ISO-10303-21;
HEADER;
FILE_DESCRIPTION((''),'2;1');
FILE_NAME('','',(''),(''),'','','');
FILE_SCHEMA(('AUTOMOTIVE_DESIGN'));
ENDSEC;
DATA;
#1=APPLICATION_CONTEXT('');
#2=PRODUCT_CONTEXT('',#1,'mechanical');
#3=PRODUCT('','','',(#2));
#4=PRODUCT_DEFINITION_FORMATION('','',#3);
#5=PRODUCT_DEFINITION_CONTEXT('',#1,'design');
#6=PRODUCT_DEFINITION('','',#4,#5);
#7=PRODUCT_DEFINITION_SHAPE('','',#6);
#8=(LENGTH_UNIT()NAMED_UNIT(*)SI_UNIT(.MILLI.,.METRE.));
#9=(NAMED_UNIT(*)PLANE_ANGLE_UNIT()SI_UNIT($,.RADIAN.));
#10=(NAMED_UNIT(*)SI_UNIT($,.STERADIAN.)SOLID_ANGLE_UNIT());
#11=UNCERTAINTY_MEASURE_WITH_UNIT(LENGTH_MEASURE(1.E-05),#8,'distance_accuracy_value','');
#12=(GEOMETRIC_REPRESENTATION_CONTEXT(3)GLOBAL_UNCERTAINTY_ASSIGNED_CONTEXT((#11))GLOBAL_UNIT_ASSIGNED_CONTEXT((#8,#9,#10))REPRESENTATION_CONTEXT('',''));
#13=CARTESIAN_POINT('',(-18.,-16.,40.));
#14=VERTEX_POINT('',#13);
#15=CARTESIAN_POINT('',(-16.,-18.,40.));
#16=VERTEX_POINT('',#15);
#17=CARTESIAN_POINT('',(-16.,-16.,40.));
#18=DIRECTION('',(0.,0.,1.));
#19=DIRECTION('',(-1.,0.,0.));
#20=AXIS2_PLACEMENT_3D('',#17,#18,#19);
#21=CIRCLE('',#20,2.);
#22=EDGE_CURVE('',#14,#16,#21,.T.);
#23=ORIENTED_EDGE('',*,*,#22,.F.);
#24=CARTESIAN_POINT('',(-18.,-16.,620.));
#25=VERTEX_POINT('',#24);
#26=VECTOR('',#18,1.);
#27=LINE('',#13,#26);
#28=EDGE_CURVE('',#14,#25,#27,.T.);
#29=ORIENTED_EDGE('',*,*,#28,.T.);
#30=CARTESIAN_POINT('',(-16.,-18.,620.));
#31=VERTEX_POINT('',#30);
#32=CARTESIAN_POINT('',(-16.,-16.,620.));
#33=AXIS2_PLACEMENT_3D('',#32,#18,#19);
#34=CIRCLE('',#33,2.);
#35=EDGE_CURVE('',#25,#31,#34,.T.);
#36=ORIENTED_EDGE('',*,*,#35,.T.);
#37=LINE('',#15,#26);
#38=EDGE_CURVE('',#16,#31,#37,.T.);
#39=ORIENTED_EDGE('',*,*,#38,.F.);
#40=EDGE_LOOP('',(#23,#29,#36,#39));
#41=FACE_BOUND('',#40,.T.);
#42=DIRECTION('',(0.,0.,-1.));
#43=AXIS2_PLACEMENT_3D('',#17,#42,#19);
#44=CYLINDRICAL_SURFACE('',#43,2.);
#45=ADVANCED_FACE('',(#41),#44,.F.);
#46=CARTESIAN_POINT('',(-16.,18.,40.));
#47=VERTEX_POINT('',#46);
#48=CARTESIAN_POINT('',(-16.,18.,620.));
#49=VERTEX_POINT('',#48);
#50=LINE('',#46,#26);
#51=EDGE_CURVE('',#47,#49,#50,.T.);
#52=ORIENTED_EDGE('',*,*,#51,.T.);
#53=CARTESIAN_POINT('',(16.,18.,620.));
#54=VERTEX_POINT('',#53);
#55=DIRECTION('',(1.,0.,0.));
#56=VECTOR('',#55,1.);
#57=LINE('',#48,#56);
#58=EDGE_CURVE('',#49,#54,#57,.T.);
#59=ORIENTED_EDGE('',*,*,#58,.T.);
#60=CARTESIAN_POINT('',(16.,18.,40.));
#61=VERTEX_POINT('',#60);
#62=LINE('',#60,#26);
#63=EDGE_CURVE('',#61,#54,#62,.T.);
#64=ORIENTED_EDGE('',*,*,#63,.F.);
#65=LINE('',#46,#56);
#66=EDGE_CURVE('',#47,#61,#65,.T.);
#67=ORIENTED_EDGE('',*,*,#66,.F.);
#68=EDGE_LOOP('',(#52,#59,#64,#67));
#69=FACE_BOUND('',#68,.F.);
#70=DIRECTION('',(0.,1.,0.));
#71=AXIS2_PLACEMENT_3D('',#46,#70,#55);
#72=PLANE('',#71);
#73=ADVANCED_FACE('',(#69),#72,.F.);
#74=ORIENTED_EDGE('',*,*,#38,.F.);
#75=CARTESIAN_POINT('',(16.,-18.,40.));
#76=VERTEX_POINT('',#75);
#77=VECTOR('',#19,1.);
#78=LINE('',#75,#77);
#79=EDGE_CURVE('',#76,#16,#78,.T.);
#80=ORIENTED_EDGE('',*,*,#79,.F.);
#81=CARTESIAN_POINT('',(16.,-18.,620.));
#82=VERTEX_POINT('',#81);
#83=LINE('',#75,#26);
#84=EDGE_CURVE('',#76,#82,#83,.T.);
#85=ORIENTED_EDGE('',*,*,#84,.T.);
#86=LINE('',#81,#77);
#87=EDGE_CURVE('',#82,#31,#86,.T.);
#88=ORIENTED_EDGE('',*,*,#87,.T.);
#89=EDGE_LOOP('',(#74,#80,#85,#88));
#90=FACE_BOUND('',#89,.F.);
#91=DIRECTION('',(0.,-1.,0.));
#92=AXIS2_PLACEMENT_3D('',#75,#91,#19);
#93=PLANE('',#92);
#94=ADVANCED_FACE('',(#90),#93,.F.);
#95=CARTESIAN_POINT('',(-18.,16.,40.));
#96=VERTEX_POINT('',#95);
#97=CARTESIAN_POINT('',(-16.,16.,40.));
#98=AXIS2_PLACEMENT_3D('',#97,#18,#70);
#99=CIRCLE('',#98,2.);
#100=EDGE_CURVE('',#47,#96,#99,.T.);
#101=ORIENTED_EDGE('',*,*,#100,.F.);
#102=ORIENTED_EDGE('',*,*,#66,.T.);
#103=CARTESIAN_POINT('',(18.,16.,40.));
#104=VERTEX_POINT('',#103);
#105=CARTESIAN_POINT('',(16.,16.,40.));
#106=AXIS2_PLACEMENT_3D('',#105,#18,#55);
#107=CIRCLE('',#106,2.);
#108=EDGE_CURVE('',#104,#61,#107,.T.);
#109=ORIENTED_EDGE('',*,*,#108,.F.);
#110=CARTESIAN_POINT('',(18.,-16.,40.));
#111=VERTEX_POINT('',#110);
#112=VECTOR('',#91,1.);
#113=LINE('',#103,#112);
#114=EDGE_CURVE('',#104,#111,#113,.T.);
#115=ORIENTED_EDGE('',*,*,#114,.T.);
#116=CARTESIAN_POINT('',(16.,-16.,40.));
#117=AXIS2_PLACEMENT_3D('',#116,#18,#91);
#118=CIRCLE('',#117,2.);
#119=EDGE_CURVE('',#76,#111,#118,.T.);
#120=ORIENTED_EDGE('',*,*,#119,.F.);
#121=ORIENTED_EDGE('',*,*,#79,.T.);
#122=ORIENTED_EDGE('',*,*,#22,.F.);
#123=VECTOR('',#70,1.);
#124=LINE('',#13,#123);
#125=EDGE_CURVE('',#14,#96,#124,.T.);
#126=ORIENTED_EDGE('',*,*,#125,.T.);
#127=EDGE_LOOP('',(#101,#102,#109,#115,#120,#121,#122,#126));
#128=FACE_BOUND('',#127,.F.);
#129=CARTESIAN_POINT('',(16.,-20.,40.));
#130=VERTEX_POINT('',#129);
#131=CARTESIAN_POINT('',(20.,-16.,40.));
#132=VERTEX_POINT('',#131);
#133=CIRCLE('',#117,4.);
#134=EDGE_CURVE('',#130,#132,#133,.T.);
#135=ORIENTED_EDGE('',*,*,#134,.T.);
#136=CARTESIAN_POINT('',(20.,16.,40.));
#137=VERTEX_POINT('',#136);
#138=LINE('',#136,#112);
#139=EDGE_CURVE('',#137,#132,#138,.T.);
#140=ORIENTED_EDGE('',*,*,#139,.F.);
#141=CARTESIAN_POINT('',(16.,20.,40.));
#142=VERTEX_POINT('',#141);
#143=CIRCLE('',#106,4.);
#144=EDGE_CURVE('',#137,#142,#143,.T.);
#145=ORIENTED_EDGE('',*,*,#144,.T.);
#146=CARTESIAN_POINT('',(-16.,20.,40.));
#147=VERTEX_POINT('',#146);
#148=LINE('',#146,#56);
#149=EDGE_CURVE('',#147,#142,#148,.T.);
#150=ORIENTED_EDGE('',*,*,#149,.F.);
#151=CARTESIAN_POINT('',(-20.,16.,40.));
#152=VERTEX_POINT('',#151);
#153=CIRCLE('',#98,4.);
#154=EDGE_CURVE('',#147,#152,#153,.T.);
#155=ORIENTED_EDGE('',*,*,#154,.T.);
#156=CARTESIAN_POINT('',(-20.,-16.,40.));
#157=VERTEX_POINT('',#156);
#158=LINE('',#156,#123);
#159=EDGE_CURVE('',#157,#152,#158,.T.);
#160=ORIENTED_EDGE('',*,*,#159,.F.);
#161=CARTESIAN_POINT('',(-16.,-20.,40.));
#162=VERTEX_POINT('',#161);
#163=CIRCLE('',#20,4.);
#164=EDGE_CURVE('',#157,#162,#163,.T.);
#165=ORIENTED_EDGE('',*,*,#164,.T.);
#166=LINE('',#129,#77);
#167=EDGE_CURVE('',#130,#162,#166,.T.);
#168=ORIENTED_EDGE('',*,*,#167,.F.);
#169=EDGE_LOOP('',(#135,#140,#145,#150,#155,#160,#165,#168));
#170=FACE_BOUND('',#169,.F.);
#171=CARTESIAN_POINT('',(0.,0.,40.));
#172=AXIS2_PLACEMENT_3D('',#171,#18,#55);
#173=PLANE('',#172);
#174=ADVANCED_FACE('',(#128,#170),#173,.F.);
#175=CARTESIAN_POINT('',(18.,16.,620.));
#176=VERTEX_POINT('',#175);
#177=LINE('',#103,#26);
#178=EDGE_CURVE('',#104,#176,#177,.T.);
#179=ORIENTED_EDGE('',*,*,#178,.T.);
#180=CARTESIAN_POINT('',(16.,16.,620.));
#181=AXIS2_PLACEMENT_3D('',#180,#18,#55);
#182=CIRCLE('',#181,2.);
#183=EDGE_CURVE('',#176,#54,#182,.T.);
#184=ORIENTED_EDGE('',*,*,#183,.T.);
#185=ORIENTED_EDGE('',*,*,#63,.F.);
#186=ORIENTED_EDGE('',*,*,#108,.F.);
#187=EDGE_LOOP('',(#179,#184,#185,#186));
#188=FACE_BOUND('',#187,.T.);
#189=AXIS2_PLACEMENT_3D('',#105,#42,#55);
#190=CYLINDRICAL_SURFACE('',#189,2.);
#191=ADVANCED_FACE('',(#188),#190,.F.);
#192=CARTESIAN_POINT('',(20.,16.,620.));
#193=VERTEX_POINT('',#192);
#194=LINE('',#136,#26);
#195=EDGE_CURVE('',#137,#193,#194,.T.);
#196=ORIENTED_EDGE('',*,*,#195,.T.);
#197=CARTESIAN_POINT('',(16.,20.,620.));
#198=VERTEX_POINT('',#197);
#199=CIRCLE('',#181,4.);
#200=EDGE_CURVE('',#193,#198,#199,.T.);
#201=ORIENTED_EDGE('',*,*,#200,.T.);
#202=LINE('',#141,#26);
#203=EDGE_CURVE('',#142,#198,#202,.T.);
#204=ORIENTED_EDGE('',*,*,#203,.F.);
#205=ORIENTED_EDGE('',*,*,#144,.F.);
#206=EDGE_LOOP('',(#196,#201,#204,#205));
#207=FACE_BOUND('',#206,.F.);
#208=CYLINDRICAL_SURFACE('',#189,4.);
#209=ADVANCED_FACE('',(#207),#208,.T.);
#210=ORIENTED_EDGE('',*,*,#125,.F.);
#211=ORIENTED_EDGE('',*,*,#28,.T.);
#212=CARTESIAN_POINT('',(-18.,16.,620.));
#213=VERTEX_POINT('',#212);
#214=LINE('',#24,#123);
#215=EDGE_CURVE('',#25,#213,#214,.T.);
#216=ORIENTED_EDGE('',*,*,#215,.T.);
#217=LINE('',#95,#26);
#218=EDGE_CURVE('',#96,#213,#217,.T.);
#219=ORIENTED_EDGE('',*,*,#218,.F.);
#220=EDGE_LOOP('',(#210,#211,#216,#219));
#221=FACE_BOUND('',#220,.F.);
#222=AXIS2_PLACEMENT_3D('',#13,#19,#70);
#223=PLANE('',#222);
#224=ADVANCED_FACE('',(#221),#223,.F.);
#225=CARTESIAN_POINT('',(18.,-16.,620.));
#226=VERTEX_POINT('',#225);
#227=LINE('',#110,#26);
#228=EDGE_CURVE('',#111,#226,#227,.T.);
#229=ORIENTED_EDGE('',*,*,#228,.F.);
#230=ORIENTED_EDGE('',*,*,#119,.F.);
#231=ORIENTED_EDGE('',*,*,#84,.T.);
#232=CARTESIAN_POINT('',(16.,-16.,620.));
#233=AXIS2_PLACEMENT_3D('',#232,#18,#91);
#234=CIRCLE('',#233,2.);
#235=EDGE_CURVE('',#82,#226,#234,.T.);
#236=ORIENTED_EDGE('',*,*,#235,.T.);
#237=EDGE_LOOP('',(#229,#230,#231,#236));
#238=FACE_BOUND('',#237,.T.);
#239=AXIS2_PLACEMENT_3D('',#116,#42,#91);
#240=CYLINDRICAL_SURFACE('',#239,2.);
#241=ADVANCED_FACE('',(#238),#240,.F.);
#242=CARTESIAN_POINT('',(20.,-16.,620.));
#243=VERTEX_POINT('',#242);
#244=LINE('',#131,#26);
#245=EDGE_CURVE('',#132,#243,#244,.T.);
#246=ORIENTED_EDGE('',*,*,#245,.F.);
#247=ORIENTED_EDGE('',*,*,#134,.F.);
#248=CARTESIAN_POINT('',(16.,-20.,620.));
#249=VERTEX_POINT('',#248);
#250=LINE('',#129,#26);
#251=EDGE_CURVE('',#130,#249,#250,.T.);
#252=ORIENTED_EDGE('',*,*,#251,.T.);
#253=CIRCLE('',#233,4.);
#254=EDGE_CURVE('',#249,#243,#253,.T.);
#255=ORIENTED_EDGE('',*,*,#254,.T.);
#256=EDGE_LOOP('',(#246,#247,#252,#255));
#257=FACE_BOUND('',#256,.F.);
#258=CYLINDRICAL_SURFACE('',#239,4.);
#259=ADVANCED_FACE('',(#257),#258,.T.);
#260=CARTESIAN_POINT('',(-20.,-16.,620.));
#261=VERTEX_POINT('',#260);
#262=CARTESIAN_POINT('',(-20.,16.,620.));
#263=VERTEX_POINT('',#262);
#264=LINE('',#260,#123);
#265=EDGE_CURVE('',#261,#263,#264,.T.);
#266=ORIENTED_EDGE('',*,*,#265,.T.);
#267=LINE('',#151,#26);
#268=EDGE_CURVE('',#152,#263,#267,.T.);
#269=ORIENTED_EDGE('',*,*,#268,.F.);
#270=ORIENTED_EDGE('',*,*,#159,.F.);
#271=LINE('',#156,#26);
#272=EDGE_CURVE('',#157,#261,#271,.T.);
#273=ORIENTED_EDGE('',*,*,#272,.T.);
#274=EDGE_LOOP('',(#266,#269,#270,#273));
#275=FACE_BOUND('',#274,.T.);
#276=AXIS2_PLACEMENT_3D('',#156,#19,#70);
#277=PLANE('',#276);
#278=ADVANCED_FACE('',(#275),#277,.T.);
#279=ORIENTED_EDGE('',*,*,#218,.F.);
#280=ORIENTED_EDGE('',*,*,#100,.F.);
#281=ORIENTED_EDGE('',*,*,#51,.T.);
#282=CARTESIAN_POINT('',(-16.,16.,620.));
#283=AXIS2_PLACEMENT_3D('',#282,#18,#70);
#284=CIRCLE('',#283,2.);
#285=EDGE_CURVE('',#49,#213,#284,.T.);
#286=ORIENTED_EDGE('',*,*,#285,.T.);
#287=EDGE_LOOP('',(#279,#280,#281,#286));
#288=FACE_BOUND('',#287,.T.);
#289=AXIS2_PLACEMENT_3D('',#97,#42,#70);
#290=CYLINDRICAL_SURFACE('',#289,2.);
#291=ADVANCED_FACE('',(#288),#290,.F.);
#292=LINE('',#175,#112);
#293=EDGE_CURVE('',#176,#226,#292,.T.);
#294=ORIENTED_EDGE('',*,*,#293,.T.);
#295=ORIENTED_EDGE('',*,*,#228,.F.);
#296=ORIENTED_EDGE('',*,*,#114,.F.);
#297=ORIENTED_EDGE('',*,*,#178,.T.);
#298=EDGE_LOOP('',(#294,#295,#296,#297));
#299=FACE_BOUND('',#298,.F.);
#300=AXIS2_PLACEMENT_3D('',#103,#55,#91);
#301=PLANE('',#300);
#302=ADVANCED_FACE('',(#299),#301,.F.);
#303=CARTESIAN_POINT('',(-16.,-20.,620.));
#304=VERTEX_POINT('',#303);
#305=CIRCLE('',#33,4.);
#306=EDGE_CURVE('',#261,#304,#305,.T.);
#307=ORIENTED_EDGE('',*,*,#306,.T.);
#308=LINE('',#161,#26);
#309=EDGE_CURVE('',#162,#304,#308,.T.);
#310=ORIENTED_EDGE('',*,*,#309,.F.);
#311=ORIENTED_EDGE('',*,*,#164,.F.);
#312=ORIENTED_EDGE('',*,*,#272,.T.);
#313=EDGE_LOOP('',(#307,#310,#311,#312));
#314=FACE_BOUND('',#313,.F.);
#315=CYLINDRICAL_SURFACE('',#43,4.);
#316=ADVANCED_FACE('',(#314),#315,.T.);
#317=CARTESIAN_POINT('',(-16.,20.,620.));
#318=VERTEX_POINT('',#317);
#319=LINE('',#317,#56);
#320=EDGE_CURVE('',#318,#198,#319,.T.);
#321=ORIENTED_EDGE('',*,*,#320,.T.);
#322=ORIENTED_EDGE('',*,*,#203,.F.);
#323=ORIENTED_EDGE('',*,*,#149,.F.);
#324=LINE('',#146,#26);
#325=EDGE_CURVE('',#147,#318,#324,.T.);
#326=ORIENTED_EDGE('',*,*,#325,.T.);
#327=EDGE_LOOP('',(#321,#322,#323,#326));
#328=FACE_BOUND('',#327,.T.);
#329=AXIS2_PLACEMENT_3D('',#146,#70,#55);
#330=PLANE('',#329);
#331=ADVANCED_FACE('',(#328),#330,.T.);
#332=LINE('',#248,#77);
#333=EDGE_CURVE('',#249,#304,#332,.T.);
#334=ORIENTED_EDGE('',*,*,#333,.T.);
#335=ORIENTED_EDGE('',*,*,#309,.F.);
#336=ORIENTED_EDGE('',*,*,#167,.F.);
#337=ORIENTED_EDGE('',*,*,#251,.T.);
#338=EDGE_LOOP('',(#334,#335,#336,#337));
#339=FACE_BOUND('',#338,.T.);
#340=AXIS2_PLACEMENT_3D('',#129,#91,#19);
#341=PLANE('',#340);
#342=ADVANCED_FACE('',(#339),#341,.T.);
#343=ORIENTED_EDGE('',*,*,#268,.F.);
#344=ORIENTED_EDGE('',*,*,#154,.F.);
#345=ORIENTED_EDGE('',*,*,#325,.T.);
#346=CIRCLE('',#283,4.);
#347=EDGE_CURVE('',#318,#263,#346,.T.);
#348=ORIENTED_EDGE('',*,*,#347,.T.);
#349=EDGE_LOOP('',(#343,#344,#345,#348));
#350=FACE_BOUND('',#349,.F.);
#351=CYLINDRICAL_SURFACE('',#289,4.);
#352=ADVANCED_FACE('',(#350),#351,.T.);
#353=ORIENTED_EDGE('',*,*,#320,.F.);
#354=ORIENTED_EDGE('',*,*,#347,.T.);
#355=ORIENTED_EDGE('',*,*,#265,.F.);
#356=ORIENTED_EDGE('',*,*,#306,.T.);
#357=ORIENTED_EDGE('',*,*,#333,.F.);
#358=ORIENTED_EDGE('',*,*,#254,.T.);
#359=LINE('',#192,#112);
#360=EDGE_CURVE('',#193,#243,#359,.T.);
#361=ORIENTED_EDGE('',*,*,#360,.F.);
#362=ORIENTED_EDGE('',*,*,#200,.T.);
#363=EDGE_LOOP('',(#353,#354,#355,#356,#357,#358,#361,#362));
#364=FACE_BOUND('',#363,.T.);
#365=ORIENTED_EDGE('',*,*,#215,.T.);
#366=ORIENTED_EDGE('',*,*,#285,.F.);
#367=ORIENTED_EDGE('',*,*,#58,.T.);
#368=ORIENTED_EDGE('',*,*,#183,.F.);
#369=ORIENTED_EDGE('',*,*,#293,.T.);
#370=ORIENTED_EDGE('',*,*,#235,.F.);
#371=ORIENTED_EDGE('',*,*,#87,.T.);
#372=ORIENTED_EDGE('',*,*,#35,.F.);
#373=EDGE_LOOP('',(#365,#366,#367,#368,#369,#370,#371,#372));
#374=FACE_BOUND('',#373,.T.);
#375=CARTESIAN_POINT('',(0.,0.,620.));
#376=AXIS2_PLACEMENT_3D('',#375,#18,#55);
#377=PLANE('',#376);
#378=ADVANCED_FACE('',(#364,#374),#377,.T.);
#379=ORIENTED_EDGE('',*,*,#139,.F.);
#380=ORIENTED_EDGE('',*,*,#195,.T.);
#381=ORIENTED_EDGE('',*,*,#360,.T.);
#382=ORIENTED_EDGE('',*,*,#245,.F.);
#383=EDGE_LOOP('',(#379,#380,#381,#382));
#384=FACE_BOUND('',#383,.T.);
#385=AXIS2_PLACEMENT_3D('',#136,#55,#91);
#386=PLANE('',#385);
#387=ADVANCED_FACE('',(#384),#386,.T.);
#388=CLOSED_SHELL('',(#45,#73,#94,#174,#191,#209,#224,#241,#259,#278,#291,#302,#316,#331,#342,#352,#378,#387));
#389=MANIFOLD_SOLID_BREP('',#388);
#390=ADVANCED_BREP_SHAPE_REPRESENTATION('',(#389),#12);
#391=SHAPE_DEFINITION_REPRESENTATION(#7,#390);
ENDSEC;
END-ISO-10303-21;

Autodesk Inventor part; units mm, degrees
ref_plane "YZ Plane" through (0, 0, 0) normal (1, 0, 0) x (0, 1, 0)
ref_plane "Start Plane" through (0, 0, 40) normal (0, 0, 1) x (1, 0, 0)
ref_plane "End Plane" through (0, 0, 620) normal (0, 0, 1) x (1, 0, 0)
sketch "Sketch" plane through (0, 0, 0) normal (0, 0, 1) x (1, 0, 0)
  line L0 (-20, -16) -> (-20, 16)
  line L1 (-16, 20) -> (16, 20)
  line L2 (20, 16) -> (20, -16)
  line L3 (16, -20) -> (-16, -20)
  arc A0 (-20, -16) -> (-16, -20) centre (-16, -16) ccw
  arc A1 (20, 16) -> (16, 20) centre (16, 16) ccw
  arc A2 (-16, 20) -> (-20, 16) centre (-16, 16) ccw
  arc A3 (16, -20) -> (20, -16) centre (16, -16) ccw
  arc A4 (-16, 18) -> (-18, 16) centre (-16, 16) ccw
  line L4 (-16, 18) -> (16, 18)
  arc A5 (18, 16) -> (16, 18) centre (16, 16) ccw
  line L5 (18, 16) -> (18, -16)
  arc A6 (16, -18) -> (18, -16) centre (16, -16) ccw
  line L6 (16, -18) -> (-16, -18)
  arc A7 (-18, -16) -> (-16, -18) centre (-16, -16) ccw
  line L7 (-18, -16) -> (-18, 16)
  line L8 (0, 29.1598) -> (0, -29.1598) construction
  line L9 (-29.1598, 0) -> (29.1598, 0) construction
  dimension "d7" = 4
  dimension "d9" = 40
  dimension "d11" = 40
  dimension "d12" = 2
  dimension "d15" = 20
  dimension "d16" = 20
extrude "Body" add sketch "Sketch" along normal up to surface (580 mm away) from surface at 40
sketch "Sketch3" plane through (0, 0, 0) normal (0, 0, 1) x (1, 0, 0)
  line L0 (0, 0) -> (10, 0)
ref_plane "Work Plane3" through (0, 0, 0) normal (0, -1, 0) x (1, 0, 0)
sketch "Sketch4" plane through (0, 0, 0) normal (0, -1, 0) x (1, 0, 0)
  line L0 (-2, 40) -> (12, 40) projected
  line L1 (-2, 620) -> (12, 620) projected
  dimension "d18" = 580
equation "\"d7\" = G_IR"
equation "\"d9\" = G_W"
equation "\"d11\" = G_H"
equation "\"d12\" = G_T"
equation "\"d15\" = 0.5 * d9"
equation "\"d16\" = 0.5 * d11"
equation "\"d3\" = G_L"
equation "\"G_W\" = 40"
equation "\"G_H\" = 40"
equation "\"G_T\" = 2"
equation "\"G_IR\" = 4"
equation "\"G_L\" = d18"
properties part number "ISO 10799-2 - 40x40x2 - 580" material "Steel, Mild"
